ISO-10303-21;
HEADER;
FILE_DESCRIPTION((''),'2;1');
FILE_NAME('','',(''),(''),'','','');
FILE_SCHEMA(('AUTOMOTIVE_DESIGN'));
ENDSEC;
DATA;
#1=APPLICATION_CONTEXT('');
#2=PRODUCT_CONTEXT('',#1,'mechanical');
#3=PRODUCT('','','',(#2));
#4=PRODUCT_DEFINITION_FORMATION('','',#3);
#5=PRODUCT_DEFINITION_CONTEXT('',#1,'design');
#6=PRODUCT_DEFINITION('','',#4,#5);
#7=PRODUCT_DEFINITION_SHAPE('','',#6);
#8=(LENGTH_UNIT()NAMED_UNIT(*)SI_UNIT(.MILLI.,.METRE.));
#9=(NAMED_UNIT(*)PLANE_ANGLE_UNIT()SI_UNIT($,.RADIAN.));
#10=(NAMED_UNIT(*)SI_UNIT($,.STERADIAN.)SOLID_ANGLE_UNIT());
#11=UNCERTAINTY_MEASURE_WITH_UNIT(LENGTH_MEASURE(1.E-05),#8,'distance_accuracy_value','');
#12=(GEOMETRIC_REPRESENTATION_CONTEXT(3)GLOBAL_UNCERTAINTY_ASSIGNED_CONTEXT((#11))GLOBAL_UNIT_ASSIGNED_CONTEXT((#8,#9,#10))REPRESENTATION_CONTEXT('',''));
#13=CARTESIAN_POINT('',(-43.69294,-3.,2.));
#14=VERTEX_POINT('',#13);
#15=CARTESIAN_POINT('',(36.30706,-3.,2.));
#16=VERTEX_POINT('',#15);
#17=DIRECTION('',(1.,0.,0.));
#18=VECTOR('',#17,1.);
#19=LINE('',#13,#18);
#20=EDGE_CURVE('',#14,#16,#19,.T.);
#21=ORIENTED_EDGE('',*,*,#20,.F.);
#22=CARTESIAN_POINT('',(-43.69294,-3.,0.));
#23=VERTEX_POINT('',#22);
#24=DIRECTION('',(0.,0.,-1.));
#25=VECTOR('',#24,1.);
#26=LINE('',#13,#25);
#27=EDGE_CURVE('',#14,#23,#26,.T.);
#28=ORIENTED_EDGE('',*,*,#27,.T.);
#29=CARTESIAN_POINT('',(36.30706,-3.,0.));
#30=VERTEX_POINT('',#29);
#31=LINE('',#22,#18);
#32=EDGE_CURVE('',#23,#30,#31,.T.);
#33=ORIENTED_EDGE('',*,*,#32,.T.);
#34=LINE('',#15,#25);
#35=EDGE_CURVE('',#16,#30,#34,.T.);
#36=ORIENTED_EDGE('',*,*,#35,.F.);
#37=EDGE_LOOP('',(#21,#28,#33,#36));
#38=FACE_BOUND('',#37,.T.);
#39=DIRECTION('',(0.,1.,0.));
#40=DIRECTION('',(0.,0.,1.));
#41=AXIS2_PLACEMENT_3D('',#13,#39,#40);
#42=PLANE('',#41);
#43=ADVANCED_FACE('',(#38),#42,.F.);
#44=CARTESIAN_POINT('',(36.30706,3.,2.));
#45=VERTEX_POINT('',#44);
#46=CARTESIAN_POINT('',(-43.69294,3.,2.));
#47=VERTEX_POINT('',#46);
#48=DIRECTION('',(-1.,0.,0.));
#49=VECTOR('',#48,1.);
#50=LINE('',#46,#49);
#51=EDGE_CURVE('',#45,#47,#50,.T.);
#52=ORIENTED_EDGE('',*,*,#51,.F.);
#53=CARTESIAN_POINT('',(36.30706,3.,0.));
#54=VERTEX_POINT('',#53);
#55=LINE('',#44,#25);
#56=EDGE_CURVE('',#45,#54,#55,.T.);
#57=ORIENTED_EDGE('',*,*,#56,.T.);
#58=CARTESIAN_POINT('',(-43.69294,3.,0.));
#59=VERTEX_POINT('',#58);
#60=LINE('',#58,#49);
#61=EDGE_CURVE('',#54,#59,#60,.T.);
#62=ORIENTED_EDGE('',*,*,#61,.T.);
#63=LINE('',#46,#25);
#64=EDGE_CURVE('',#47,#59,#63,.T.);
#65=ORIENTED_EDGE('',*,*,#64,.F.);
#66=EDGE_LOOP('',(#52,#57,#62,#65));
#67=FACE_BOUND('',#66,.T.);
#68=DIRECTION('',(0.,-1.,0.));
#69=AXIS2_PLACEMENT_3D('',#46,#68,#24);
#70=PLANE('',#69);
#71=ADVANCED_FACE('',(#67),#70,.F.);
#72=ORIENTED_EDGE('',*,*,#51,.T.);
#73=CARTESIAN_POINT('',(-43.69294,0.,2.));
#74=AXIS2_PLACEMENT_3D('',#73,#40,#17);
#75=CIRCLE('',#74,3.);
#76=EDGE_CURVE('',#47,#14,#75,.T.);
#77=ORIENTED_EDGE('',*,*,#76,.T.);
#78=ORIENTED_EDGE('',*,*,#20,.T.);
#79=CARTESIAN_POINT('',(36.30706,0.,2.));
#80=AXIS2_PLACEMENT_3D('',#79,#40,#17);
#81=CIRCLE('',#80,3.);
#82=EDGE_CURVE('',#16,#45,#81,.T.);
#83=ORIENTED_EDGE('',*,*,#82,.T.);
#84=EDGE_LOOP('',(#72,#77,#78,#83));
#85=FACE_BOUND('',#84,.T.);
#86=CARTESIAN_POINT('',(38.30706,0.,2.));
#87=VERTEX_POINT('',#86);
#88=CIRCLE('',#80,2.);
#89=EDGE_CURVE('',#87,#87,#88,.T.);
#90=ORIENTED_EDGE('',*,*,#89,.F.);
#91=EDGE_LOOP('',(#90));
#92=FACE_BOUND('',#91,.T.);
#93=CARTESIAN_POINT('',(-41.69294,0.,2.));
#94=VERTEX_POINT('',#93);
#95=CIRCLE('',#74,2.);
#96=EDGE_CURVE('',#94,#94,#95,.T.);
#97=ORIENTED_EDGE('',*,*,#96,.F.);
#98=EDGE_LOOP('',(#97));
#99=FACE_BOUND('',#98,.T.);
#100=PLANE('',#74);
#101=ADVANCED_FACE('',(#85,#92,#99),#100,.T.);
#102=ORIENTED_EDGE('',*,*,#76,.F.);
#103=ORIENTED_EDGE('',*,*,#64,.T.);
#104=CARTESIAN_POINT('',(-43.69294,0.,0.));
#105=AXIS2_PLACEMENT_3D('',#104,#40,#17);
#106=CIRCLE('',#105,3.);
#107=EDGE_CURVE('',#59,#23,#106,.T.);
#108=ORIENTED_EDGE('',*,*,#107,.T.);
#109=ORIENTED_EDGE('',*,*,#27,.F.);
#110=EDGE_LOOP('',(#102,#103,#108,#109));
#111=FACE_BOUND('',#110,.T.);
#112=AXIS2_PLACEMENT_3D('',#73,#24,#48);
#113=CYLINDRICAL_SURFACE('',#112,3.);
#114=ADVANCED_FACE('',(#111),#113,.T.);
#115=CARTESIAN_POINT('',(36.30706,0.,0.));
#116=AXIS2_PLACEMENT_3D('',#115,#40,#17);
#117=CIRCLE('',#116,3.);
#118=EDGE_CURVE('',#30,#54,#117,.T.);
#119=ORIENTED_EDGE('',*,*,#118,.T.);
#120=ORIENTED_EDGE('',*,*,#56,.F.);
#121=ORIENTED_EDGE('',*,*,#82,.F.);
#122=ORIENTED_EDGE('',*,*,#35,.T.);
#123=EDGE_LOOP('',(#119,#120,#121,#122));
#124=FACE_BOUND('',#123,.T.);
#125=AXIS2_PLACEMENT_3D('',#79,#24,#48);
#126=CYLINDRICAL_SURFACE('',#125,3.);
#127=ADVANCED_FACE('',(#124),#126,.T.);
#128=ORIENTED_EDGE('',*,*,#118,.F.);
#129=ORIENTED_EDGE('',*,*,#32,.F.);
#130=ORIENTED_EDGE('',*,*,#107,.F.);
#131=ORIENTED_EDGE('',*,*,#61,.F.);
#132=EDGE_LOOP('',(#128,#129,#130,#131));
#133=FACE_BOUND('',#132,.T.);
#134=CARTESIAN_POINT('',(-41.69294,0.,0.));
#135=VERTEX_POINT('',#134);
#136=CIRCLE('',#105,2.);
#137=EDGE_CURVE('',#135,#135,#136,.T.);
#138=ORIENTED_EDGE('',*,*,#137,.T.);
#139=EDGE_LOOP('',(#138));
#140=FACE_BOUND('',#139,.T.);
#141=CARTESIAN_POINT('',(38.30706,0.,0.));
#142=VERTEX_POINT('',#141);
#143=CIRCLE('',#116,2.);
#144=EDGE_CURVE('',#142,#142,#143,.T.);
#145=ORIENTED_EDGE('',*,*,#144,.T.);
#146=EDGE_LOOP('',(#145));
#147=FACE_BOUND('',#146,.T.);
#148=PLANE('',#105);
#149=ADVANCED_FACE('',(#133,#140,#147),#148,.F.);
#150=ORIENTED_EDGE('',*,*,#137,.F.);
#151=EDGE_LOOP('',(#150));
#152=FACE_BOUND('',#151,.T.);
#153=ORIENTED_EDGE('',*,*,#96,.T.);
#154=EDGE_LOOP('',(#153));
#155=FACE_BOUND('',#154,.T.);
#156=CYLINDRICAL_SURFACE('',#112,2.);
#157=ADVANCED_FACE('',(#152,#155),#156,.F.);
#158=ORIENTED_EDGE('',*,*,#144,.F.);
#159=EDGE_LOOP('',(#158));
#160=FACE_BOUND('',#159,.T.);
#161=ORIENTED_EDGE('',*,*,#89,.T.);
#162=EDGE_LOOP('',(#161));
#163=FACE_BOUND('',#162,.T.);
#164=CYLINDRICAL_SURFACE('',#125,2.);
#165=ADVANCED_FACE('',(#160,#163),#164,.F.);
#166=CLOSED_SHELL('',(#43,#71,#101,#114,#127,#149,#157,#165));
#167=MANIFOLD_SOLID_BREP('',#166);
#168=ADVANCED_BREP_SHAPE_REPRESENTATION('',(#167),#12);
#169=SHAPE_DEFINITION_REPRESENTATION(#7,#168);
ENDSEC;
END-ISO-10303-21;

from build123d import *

# Parameters (mm, degrees)
SKETCH_1_R      = 2
EXTRUDE_1_DEPTH = 2


with BuildPart() as part:
    # 草图1 → 凸台-拉伸1 (new body)
    with BuildSketch(Plane.XY):
        with BuildLine():
            Line((-43.692939909, -3), (36.307060091, -3))
            ThreePointArc((36.307060091, -3), (39.307060091, 0), (36.307060091, 3))
            Line((36.307060091, 3), (-43.692939909, 3))
            ThreePointArc((-43.692939909, 3), (-46.692939909, 0), (-43.692939909, -3))
        make_face()
        with Locations((36.307060091, 0)):
            Circle(SKETCH_1_R, mode=Mode.SUBTRACT)
        with Locations((-43.692939909, 0)):
            Circle(SKETCH_1_R, mode=Mode.SUBTRACT)
    extrude(amount=EXTRUDE_1_DEPTH)


solid = part.part
